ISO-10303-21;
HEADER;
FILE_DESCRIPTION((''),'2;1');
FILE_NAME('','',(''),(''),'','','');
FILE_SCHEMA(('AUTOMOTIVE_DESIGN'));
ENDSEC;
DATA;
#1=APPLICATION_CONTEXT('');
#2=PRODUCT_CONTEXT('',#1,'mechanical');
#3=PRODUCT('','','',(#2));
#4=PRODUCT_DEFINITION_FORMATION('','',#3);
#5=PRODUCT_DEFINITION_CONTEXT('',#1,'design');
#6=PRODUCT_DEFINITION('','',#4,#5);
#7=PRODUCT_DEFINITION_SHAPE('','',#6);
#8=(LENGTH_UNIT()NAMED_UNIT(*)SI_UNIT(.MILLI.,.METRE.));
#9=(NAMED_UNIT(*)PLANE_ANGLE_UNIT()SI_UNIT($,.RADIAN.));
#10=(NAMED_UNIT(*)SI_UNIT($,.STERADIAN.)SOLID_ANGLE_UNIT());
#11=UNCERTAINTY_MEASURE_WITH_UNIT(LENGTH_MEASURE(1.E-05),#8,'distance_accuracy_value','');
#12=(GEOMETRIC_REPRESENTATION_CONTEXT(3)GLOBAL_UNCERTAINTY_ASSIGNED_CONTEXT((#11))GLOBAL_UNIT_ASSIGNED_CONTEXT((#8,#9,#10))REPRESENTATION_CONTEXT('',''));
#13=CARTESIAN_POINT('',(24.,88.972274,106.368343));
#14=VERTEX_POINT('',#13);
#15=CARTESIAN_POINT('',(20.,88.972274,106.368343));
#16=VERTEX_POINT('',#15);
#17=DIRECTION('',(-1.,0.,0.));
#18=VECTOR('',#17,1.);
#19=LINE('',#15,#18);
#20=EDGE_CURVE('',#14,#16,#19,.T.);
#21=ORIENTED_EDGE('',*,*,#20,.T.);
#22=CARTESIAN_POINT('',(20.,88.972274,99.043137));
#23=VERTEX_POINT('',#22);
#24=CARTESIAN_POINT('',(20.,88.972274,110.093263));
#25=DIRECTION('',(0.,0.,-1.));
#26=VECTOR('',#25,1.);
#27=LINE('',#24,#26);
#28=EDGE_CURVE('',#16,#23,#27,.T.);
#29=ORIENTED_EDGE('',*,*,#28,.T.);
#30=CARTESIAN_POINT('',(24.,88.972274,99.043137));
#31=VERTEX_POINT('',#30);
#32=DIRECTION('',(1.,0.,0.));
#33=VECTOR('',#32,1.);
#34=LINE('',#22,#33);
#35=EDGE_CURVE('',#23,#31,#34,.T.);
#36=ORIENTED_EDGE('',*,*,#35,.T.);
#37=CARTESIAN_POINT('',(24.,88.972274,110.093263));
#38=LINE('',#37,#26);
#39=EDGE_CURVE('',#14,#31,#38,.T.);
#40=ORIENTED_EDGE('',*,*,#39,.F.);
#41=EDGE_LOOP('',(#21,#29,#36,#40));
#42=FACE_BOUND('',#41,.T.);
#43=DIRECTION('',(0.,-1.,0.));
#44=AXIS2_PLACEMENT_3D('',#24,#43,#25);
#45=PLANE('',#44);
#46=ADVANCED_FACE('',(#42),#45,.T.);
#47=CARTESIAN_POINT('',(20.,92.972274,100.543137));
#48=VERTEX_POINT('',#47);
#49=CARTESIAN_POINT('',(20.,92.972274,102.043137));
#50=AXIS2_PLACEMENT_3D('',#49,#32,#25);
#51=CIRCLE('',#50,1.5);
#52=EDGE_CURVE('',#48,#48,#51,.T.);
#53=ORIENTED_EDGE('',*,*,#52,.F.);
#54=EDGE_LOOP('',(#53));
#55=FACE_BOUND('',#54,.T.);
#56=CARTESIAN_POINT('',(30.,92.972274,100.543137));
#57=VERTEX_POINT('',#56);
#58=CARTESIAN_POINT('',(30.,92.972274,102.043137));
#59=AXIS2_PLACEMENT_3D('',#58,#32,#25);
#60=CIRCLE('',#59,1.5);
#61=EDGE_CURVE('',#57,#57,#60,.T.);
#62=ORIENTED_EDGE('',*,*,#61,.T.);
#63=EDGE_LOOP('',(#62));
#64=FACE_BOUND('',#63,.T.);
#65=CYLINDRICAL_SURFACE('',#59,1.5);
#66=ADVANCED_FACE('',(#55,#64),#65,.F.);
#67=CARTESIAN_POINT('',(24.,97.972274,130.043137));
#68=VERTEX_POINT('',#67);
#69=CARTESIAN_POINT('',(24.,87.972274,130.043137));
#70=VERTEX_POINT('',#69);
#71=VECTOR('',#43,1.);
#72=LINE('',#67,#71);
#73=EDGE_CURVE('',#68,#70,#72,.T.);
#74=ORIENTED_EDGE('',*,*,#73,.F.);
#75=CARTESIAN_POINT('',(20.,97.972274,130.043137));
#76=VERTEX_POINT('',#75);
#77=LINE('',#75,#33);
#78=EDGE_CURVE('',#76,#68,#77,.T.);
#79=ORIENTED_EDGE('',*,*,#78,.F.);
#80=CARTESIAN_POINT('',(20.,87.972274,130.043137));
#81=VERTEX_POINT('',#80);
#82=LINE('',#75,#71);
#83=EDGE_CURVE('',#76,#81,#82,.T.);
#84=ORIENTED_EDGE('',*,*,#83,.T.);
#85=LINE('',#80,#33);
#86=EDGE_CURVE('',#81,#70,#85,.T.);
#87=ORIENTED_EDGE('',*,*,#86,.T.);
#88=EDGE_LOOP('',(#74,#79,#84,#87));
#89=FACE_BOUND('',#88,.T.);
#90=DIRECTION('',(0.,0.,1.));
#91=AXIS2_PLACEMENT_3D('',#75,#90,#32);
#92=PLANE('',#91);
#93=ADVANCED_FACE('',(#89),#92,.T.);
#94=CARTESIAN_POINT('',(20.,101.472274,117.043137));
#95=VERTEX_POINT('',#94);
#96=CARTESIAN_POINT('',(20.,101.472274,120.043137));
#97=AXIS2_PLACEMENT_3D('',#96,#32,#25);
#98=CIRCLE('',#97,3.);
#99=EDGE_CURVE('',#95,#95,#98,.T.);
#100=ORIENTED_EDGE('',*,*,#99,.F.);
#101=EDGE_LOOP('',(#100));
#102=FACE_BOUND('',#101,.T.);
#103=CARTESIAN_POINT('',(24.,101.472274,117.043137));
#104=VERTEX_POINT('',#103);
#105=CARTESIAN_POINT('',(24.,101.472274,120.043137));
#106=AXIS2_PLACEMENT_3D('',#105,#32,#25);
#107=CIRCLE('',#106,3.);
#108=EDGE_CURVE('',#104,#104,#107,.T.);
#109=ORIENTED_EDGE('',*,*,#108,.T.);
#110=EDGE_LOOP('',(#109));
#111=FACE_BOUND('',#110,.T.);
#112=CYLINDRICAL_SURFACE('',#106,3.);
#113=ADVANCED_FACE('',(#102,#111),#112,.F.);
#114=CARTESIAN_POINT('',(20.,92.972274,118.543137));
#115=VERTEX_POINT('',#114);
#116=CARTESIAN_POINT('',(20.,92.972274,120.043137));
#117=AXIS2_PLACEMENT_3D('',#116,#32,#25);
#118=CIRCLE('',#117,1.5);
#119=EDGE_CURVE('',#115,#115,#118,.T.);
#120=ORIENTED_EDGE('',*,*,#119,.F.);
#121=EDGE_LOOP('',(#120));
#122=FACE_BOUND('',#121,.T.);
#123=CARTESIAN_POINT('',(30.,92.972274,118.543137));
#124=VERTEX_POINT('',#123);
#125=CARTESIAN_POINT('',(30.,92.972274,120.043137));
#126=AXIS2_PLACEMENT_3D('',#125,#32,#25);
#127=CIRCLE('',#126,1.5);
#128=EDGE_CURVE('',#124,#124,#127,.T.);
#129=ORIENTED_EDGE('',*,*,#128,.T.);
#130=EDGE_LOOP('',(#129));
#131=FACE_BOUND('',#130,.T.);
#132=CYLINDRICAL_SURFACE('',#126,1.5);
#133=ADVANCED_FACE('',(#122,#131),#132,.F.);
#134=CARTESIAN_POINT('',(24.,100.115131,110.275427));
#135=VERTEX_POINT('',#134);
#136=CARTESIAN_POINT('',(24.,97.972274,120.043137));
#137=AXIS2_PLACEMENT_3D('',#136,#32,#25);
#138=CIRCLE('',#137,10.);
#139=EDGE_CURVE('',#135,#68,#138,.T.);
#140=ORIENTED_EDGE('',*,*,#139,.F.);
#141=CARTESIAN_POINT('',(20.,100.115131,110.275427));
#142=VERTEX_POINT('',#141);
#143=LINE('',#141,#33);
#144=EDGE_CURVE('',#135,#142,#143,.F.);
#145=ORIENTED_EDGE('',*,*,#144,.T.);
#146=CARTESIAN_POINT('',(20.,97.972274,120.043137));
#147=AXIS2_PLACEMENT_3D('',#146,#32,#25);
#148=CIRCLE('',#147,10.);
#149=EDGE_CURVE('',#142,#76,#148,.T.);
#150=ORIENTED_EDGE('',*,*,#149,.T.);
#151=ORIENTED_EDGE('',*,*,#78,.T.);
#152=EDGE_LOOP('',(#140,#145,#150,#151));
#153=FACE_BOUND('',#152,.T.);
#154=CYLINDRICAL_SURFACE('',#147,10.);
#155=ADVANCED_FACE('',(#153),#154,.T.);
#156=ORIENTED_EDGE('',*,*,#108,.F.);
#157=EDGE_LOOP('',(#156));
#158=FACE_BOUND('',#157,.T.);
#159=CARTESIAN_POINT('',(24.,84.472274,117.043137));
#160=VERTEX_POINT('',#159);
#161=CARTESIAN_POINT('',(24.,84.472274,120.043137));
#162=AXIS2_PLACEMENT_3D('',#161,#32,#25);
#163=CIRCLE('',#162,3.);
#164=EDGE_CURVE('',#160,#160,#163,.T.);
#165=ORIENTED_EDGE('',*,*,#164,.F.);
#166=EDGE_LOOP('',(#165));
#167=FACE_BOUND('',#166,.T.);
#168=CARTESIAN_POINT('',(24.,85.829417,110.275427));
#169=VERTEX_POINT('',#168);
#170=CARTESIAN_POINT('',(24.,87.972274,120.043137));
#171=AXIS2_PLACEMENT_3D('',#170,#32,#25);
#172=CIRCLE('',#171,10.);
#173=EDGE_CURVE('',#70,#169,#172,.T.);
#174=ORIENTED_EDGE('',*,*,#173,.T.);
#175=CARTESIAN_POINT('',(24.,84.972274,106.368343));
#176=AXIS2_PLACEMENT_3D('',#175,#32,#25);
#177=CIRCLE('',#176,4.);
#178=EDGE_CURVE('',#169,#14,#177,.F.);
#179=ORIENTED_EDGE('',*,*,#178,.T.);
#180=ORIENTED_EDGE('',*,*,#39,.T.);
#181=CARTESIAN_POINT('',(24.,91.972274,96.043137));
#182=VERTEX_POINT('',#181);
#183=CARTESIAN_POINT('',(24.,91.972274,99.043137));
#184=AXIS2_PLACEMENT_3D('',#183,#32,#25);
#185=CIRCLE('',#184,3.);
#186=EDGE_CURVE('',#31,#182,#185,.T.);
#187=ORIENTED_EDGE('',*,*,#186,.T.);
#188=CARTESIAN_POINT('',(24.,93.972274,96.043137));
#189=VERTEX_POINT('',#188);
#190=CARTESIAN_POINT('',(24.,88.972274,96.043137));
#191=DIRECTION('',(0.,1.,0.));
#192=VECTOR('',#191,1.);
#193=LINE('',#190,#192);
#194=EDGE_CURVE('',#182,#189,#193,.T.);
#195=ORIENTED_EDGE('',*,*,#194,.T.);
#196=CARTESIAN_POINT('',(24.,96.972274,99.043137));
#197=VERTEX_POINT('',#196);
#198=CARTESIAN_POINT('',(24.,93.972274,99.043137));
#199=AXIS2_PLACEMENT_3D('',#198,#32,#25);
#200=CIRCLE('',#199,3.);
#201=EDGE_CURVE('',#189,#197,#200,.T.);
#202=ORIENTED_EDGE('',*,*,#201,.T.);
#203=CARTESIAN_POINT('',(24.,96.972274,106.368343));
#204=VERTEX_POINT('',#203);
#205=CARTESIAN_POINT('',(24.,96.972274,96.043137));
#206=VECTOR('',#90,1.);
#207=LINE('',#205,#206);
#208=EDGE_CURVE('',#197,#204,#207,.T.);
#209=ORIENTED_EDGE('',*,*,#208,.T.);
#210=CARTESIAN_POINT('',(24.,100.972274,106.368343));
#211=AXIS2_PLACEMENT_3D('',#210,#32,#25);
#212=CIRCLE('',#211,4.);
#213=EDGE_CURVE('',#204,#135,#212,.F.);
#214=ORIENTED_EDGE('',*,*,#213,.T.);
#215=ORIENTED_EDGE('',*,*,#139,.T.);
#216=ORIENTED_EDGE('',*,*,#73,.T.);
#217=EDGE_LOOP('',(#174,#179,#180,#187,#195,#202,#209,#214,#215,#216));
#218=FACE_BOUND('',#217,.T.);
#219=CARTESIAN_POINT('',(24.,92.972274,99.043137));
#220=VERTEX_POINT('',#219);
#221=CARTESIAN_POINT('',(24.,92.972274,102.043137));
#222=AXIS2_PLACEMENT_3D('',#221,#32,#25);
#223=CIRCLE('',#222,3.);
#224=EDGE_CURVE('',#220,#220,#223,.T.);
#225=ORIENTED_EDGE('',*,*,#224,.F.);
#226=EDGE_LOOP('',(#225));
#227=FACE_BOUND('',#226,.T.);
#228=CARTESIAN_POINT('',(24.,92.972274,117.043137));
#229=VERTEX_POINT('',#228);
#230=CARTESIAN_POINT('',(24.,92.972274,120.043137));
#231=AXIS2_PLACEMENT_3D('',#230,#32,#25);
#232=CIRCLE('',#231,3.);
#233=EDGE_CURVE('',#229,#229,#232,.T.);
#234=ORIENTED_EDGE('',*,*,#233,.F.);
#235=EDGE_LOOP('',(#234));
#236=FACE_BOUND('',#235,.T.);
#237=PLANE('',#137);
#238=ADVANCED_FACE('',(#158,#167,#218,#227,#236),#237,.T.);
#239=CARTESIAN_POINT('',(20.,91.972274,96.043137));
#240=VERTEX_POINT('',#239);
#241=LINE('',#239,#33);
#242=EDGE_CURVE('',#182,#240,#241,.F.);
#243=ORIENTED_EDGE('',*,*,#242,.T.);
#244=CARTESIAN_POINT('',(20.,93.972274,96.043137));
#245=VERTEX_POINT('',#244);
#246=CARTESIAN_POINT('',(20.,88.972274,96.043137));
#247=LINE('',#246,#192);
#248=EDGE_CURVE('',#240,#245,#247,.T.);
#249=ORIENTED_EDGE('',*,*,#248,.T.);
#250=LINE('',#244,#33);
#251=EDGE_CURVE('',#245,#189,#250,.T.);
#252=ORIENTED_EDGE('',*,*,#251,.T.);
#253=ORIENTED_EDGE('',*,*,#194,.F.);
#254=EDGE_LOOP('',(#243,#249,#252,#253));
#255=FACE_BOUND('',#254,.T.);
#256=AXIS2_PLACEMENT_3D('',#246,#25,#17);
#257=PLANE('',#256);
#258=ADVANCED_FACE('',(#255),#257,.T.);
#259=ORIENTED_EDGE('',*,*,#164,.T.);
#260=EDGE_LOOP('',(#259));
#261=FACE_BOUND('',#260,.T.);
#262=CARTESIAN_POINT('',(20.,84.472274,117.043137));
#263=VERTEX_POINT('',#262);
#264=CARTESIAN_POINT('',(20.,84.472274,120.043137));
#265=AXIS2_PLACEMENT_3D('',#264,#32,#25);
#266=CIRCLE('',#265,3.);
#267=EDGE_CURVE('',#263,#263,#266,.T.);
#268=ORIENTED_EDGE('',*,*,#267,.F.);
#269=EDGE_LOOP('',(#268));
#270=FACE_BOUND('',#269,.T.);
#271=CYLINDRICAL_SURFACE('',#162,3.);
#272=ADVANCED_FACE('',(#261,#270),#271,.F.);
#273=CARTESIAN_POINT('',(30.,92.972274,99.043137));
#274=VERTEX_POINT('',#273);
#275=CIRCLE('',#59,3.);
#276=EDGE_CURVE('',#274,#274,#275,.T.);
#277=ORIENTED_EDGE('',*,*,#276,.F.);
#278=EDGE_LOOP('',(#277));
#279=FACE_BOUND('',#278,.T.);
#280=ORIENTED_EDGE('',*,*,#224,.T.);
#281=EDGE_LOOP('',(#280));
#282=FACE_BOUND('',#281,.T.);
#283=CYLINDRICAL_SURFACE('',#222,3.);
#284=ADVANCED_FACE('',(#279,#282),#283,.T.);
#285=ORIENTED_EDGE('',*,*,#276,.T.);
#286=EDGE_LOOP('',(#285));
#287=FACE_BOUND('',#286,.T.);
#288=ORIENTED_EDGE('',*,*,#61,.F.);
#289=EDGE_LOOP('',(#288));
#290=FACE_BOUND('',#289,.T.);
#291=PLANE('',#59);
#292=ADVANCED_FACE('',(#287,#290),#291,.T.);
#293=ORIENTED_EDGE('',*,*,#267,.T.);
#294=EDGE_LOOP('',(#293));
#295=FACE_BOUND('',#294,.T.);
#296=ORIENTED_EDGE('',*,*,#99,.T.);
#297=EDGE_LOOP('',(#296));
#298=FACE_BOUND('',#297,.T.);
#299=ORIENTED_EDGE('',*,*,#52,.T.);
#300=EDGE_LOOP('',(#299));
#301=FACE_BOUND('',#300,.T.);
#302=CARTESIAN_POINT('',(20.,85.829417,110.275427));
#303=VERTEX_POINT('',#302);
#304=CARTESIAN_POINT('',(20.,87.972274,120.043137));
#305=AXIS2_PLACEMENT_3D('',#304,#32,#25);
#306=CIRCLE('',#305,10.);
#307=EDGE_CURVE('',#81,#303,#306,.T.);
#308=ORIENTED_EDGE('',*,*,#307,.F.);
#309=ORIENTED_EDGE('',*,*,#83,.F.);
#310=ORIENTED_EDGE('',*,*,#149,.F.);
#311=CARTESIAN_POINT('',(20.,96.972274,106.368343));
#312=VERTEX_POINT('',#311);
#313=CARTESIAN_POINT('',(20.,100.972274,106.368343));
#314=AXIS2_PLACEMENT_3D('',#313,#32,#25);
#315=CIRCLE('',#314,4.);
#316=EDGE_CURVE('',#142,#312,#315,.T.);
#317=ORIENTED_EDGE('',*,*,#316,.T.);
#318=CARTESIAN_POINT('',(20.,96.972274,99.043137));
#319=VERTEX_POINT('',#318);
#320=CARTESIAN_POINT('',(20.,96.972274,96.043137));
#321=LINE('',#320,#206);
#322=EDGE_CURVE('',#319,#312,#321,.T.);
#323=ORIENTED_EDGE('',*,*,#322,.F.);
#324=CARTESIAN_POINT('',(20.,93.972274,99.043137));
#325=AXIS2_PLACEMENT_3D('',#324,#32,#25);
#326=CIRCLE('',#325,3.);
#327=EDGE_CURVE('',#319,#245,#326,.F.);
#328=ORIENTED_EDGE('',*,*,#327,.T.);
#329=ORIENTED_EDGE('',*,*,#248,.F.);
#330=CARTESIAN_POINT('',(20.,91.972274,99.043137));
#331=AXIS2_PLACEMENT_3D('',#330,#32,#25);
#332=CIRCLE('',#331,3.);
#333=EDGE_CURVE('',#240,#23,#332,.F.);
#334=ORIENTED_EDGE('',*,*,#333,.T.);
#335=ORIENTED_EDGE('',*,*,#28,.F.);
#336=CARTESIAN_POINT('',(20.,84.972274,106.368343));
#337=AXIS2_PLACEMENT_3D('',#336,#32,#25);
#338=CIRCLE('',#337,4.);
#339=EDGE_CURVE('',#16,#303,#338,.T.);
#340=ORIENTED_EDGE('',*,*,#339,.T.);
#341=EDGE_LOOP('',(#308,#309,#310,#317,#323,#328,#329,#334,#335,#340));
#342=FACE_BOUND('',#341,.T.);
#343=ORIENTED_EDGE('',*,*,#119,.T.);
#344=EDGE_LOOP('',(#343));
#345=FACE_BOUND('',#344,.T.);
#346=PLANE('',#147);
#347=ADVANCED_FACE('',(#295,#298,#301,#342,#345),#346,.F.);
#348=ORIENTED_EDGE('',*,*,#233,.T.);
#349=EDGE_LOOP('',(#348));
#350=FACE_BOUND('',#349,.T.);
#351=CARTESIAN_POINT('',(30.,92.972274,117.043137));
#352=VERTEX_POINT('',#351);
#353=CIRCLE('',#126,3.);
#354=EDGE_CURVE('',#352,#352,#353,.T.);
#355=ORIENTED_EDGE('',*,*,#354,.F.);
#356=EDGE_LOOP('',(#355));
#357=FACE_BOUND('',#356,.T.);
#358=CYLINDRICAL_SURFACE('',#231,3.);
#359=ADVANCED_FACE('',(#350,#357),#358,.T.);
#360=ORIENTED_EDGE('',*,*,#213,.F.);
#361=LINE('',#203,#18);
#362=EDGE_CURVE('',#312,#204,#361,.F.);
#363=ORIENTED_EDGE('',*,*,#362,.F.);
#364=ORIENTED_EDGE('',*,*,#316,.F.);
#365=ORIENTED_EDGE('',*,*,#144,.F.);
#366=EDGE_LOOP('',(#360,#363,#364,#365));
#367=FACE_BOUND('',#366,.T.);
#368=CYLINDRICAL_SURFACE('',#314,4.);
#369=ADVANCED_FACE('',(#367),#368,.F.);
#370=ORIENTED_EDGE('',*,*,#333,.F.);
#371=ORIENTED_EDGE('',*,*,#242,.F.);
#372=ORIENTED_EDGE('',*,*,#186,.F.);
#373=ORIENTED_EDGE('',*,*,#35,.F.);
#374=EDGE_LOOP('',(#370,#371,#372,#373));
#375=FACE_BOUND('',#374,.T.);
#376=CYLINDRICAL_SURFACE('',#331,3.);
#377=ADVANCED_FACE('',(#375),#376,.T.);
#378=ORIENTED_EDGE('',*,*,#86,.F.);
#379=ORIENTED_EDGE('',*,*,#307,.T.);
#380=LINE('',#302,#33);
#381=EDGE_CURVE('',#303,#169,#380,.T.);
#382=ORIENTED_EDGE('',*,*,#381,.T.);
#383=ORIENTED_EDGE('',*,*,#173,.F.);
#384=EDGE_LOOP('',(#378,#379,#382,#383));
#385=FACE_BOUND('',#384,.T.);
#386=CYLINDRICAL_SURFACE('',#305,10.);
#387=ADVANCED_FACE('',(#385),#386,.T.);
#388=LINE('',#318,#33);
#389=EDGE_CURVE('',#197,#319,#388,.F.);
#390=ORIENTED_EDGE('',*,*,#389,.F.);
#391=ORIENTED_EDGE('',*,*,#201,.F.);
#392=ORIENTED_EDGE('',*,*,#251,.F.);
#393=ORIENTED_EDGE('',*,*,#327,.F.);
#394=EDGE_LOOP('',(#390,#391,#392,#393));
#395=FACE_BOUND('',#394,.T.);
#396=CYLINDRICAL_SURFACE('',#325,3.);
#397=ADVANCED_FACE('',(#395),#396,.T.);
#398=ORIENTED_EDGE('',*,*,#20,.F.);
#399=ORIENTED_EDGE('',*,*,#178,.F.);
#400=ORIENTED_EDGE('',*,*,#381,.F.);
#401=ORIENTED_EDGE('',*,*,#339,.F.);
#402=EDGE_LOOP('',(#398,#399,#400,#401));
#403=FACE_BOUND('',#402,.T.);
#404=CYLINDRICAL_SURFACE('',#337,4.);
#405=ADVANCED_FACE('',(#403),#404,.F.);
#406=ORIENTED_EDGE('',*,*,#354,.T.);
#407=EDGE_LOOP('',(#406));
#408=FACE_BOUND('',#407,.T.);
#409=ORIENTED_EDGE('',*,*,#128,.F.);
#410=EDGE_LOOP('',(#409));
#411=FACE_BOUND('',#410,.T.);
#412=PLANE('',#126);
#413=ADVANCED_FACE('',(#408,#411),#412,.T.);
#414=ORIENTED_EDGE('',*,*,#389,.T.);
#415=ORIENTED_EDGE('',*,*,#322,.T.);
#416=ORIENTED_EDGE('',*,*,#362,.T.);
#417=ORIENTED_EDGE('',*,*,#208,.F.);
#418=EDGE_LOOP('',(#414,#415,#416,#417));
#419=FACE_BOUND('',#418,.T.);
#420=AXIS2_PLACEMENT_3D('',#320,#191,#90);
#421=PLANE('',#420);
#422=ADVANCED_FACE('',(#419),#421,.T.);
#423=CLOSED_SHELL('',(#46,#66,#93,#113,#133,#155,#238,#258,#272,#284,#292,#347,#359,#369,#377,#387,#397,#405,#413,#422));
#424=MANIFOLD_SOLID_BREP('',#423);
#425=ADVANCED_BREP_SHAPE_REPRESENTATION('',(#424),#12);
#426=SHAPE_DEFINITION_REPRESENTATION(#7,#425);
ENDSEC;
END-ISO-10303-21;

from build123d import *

# Parameters (mm, degrees)
BOSS_EXTRUDE1_DEPTH      = 4
SKETCH2_W                = 6
SKETCH2_H                = 3
SKETCH3_W                = 6
SKETCH3_H                = 3
F_3_0_3_DIAMETER_HOLE1_D = 3
F_6_0_6_DIAMETER_HOLE1_D = 6
FILLET1_R                = 3
FILLET2_R                = 4


with BuildPart() as part:
    # Sketch1 → Boss-Extrude1 (new body)
    with BuildSketch(Plane(origin=(24, 0, 0), x_dir=(0, 0, -1), z_dir=(1, 0, 0))):
        with BuildLine():
            Line((-96.043137062, 96.972273827), (-110.093262691, 96.972273827))
            ThreePointArc((-110.093262691, 96.972273827), (-119.542509311, 107.959734558), (-130.043137062, 97.972273827))
            Line((-130.043137062, 97.972273827), (-130.043137062, 87.972273827))
            ThreePointArc((-130.043137062, 87.972273827), (-119.542509311, 77.984813095), (-110.093262691, 88.972273827))
            Line((-110.093262691, 88.972273827), (-96.043137062, 88.972273827))
            Line((-96.043137062, 88.972273827), (-96.043137062, 96.972273827))
        make_face()
    extrude(amount=-BOSS_EXTRUDE1_DEPTH)

    # Sketch2 → Revolve1 (revolve)
    with BuildSketch(Plane.XY.offset(102.043137062), mode=Mode.PRIVATE) as revolve1_sk:
        with Locations((27, 94.472273827)):
            Rectangle(SKETCH2_W, SKETCH2_H)
    revolve(revolve1_sk.sketch.rotate(Axis((24, 92.972273827, 102.043137062), (1, 0, 0)), 270), axis=Axis((24, 92.972273827, 102.043137062), (1, 0, 0)))

    # Sketch3 → Revolve2 (revolve)
    with BuildSketch(Plane.XY.offset(120.043137062), mode=Mode.PRIVATE) as revolve2_sk:
        with Locations((27, 94.472273827)):
            Rectangle(SKETCH3_W, SKETCH3_H)
    revolve(revolve2_sk.sketch.rotate(Axis((24, 92.972273827, 120.043137062), (1, 0, 0)), 270), axis=Axis((24, 92.972273827, 120.043137062), (1, 0, 0)))

    # Ø3.0 (3) Diameter Hole1 (through all)
    with Locations(Plane(origin=(30, 0, 0), x_dir=(0, 0, -1), z_dir=(1, 0, 0))):
        with Locations((-120.043137062, 92.972273827), (-102.043137062, 92.972273827)):
            Hole(F_3_0_3_DIAMETER_HOLE1_D / 2)

    # Ø6.0 (6) Diameter Hole1 (through all)
    with Locations(Plane(origin=(24, 0, 0), x_dir=(0, 0, -1), z_dir=(1, 0, 0))):
        with Locations((-120.043137062, 101.472273827), (-120.043137062, 84.472273827)):
            Hole(F_6_0_6_DIAMETER_HOLE1_D / 2)

    # Fillet1
    fillet1_edges = [part.edges().sort_by_distance(p)[0] for p in [
        (22, 88.972273827, 96.043137062),
        (22, 96.972273827, 96.043137062),
    ]]
    fillet(fillet1_edges, radius=FILLET1_R)

    # Fillet2
    fillet2_edges = [part.edges().sort_by_distance(p)[0] for p in [
        (22, 88.972273827, 110.093262691),
        (22, 96.972273827, 110.093262691),
    ]]
    fillet(fillet2_edges, radius=FILLET2_R)


solid = part.part
